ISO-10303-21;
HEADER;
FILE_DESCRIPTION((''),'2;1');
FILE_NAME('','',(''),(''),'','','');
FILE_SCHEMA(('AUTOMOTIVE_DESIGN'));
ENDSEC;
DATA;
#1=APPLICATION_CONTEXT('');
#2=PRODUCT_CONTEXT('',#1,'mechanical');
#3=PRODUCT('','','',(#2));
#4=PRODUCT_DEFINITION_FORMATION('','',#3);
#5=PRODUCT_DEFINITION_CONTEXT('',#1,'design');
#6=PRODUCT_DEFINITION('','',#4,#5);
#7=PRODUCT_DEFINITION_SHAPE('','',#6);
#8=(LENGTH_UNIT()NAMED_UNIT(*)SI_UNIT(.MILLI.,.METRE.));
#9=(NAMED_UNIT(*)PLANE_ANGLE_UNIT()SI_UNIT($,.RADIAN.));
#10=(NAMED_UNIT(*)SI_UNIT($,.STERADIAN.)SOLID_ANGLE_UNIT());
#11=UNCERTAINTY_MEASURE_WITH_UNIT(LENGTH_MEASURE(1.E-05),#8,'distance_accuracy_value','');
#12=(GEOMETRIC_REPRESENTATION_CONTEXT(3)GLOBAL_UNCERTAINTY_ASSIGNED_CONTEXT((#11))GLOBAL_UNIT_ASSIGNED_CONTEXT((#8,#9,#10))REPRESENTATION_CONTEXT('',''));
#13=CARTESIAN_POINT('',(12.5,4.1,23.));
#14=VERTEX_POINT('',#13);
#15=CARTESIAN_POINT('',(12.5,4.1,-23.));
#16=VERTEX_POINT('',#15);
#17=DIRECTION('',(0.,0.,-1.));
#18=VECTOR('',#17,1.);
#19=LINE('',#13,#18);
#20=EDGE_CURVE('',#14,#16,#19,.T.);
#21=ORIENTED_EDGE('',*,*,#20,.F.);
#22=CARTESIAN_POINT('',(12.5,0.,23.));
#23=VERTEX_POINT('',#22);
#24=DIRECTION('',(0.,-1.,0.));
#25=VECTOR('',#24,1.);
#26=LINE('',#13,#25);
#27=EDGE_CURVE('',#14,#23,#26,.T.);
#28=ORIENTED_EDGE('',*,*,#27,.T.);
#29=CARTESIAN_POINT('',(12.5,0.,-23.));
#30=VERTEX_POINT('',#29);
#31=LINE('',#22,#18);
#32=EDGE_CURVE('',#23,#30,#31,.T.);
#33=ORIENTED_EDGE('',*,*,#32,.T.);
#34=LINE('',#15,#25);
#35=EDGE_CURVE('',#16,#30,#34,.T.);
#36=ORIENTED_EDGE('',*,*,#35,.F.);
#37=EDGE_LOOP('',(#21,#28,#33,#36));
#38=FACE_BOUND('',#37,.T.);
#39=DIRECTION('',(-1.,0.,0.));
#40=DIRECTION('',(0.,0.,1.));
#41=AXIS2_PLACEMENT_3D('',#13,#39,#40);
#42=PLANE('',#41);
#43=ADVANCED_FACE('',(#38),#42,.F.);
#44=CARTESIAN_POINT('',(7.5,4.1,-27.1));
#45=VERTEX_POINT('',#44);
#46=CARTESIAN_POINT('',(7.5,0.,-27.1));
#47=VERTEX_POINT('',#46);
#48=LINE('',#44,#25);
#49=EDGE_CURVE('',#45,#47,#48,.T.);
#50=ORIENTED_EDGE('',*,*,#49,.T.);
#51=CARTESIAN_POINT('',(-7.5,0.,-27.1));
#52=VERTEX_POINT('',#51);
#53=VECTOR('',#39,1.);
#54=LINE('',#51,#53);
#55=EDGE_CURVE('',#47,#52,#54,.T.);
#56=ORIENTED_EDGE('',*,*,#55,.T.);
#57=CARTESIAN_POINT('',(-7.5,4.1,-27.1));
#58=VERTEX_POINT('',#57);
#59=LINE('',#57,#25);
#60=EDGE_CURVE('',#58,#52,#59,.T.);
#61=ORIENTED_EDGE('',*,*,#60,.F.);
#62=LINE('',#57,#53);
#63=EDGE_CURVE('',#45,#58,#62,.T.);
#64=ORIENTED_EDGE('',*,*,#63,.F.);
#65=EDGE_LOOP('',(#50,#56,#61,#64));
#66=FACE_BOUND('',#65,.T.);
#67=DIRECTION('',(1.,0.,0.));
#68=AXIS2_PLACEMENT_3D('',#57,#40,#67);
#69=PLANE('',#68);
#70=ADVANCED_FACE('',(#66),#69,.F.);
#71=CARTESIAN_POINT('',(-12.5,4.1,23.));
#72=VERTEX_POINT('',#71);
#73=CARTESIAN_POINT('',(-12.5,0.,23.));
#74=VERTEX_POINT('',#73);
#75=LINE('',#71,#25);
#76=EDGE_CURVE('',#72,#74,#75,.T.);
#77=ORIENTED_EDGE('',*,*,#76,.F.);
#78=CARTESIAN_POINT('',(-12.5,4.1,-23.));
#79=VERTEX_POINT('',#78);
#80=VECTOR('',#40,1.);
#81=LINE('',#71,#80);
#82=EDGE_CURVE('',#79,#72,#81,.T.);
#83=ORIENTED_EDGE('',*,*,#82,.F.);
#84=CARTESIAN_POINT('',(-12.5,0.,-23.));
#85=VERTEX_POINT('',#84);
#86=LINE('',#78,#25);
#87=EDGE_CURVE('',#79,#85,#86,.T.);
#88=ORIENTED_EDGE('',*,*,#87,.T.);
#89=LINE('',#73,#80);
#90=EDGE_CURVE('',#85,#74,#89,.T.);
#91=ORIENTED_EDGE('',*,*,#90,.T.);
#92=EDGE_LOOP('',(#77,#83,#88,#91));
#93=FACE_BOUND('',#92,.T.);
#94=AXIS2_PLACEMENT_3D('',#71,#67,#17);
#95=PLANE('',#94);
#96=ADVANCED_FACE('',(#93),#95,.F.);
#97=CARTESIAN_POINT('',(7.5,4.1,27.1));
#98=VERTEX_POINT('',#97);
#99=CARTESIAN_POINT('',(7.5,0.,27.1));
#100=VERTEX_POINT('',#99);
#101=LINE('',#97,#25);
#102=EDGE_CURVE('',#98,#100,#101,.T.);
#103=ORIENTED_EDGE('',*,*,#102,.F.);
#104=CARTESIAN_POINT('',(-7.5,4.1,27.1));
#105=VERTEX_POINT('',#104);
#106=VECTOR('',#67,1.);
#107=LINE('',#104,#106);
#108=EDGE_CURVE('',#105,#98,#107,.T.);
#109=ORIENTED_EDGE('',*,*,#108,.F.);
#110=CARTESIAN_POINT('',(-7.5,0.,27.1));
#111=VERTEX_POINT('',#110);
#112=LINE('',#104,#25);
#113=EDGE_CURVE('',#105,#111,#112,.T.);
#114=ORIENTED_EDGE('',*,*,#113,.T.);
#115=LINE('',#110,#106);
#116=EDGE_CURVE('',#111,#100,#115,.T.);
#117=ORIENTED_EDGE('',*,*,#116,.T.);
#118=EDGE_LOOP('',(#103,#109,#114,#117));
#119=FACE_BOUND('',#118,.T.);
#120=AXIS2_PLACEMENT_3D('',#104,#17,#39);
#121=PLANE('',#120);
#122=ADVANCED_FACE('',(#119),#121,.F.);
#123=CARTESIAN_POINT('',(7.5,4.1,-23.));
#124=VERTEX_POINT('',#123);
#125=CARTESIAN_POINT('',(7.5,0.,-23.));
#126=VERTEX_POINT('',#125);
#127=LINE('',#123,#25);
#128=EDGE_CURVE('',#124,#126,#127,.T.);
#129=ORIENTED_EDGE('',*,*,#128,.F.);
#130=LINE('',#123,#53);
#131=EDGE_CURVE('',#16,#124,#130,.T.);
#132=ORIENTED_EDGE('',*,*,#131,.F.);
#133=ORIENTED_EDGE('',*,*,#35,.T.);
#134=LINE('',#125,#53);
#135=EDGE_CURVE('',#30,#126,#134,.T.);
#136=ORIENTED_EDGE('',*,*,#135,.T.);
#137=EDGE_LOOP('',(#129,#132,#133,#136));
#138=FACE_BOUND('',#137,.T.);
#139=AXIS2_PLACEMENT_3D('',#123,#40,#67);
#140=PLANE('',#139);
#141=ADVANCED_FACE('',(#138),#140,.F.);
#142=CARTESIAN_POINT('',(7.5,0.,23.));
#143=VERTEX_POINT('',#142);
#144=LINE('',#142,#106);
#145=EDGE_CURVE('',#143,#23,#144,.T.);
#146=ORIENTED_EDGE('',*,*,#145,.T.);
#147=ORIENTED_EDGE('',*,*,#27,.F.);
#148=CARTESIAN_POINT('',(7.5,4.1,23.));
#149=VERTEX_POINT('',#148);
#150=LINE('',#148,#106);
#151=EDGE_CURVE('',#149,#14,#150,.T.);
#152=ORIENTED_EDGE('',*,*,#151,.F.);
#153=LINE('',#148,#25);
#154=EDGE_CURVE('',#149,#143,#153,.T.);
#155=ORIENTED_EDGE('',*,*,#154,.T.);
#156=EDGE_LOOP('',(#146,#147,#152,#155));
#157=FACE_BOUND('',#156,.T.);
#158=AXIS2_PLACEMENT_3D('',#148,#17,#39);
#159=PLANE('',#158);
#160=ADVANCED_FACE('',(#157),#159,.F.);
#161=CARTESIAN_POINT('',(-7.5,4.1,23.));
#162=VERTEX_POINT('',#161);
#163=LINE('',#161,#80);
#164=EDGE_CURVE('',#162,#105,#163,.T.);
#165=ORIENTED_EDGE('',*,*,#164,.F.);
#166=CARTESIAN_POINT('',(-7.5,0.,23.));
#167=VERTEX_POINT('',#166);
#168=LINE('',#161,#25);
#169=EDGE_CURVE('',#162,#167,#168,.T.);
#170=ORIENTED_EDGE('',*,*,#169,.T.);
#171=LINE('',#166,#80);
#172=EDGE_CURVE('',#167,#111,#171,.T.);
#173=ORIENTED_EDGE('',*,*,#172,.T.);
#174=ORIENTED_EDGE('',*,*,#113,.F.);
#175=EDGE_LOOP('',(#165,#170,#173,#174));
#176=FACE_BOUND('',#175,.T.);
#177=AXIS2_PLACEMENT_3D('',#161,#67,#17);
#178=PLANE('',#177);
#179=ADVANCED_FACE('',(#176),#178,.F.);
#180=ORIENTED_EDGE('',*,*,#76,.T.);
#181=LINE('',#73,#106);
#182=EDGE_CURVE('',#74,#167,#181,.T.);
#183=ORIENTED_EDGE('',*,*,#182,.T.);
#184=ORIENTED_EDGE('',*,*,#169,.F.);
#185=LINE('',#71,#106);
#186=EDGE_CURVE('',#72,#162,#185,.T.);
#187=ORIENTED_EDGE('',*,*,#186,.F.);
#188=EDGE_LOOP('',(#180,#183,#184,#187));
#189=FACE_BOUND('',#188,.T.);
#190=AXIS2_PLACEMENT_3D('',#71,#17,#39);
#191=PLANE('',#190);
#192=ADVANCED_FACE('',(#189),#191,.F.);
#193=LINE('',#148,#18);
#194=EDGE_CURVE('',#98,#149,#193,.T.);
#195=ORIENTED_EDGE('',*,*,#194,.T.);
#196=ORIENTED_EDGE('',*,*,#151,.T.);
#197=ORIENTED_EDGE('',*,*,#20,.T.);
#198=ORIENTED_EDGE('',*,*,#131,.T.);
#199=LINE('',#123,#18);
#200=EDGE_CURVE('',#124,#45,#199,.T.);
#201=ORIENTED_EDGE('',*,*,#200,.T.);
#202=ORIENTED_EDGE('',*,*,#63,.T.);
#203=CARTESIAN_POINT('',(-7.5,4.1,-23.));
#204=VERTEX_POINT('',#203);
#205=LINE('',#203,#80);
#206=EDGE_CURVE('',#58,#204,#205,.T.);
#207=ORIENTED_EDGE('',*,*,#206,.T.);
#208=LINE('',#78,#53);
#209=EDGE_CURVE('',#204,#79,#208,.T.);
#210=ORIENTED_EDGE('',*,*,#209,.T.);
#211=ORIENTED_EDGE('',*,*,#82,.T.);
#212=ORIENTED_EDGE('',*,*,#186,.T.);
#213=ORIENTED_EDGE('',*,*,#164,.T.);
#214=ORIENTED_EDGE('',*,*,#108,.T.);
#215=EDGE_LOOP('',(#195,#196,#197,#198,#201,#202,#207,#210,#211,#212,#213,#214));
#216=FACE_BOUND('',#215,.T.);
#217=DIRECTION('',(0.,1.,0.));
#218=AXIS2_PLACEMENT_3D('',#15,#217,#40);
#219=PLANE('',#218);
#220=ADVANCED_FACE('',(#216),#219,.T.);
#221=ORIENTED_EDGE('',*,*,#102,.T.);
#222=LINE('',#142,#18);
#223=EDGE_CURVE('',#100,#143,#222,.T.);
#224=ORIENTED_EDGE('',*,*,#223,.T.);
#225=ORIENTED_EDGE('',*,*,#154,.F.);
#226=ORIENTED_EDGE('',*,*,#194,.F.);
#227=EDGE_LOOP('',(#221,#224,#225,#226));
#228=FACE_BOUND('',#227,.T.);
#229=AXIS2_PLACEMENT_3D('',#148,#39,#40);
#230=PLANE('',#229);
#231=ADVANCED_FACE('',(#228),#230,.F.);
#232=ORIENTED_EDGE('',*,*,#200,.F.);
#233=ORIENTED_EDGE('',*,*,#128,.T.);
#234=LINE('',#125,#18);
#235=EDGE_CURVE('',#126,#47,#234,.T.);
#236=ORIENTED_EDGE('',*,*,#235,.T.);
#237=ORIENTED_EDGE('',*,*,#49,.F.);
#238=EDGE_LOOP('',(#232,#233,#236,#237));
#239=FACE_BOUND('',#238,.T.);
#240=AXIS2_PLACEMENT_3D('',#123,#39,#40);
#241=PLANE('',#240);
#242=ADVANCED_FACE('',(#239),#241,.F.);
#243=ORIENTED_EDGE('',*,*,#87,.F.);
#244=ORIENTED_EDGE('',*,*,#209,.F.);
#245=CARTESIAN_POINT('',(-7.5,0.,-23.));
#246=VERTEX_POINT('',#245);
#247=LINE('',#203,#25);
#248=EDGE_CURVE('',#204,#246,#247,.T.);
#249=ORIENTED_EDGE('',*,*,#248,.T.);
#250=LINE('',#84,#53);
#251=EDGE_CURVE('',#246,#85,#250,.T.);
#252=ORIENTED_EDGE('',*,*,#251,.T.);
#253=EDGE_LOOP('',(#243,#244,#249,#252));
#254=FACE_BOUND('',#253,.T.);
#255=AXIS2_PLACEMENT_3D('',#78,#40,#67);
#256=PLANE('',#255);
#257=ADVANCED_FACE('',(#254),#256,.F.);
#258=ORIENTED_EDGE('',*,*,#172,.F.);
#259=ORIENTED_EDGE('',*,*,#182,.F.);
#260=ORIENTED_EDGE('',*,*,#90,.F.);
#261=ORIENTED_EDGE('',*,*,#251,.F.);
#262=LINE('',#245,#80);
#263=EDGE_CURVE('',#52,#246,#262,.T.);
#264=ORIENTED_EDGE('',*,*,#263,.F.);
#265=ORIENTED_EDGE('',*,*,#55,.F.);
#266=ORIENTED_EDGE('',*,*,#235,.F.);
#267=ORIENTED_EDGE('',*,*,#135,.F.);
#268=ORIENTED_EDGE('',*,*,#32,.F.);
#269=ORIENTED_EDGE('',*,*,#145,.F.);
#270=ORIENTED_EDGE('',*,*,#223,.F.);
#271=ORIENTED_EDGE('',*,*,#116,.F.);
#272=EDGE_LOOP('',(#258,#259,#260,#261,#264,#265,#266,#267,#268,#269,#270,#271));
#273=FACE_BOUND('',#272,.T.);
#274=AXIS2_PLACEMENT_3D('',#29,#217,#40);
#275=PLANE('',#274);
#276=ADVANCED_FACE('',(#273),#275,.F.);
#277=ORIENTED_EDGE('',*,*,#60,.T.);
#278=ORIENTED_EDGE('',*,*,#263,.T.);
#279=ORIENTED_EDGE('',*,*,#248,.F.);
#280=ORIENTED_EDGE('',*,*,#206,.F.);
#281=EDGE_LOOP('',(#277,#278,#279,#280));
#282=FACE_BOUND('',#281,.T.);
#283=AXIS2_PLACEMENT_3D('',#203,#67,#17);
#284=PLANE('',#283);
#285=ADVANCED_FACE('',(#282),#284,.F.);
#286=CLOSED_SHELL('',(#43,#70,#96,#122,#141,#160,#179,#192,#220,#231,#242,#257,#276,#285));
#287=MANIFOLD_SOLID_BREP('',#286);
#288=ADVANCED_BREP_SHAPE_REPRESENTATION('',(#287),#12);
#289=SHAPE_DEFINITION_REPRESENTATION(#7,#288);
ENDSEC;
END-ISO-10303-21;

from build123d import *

# Parameters (mm, degrees)
BOSS_EXTRUDE1_DEPTH = 4.1


with BuildPart() as part:
    # Sketch1 → Boss-Extrude1 (new body)
    with BuildSketch(Plane(origin=(0, 0, 0), x_dir=(1, 0, 0), z_dir=(0, 1, 0))):
        Polygon((-12.5, -23), (-12.5, 23), (-7.5, 23), (-7.5, 27.1), (7.5, 27.1), (7.5, 23), (12.5, 23), (12.5, -23), (7.5, -23), (7.5, -27.1), (-7.5, -27.1), (-7.5, -23), align=None)
    extrude(amount=BOSS_EXTRUDE1_DEPTH)


solid = part.part
